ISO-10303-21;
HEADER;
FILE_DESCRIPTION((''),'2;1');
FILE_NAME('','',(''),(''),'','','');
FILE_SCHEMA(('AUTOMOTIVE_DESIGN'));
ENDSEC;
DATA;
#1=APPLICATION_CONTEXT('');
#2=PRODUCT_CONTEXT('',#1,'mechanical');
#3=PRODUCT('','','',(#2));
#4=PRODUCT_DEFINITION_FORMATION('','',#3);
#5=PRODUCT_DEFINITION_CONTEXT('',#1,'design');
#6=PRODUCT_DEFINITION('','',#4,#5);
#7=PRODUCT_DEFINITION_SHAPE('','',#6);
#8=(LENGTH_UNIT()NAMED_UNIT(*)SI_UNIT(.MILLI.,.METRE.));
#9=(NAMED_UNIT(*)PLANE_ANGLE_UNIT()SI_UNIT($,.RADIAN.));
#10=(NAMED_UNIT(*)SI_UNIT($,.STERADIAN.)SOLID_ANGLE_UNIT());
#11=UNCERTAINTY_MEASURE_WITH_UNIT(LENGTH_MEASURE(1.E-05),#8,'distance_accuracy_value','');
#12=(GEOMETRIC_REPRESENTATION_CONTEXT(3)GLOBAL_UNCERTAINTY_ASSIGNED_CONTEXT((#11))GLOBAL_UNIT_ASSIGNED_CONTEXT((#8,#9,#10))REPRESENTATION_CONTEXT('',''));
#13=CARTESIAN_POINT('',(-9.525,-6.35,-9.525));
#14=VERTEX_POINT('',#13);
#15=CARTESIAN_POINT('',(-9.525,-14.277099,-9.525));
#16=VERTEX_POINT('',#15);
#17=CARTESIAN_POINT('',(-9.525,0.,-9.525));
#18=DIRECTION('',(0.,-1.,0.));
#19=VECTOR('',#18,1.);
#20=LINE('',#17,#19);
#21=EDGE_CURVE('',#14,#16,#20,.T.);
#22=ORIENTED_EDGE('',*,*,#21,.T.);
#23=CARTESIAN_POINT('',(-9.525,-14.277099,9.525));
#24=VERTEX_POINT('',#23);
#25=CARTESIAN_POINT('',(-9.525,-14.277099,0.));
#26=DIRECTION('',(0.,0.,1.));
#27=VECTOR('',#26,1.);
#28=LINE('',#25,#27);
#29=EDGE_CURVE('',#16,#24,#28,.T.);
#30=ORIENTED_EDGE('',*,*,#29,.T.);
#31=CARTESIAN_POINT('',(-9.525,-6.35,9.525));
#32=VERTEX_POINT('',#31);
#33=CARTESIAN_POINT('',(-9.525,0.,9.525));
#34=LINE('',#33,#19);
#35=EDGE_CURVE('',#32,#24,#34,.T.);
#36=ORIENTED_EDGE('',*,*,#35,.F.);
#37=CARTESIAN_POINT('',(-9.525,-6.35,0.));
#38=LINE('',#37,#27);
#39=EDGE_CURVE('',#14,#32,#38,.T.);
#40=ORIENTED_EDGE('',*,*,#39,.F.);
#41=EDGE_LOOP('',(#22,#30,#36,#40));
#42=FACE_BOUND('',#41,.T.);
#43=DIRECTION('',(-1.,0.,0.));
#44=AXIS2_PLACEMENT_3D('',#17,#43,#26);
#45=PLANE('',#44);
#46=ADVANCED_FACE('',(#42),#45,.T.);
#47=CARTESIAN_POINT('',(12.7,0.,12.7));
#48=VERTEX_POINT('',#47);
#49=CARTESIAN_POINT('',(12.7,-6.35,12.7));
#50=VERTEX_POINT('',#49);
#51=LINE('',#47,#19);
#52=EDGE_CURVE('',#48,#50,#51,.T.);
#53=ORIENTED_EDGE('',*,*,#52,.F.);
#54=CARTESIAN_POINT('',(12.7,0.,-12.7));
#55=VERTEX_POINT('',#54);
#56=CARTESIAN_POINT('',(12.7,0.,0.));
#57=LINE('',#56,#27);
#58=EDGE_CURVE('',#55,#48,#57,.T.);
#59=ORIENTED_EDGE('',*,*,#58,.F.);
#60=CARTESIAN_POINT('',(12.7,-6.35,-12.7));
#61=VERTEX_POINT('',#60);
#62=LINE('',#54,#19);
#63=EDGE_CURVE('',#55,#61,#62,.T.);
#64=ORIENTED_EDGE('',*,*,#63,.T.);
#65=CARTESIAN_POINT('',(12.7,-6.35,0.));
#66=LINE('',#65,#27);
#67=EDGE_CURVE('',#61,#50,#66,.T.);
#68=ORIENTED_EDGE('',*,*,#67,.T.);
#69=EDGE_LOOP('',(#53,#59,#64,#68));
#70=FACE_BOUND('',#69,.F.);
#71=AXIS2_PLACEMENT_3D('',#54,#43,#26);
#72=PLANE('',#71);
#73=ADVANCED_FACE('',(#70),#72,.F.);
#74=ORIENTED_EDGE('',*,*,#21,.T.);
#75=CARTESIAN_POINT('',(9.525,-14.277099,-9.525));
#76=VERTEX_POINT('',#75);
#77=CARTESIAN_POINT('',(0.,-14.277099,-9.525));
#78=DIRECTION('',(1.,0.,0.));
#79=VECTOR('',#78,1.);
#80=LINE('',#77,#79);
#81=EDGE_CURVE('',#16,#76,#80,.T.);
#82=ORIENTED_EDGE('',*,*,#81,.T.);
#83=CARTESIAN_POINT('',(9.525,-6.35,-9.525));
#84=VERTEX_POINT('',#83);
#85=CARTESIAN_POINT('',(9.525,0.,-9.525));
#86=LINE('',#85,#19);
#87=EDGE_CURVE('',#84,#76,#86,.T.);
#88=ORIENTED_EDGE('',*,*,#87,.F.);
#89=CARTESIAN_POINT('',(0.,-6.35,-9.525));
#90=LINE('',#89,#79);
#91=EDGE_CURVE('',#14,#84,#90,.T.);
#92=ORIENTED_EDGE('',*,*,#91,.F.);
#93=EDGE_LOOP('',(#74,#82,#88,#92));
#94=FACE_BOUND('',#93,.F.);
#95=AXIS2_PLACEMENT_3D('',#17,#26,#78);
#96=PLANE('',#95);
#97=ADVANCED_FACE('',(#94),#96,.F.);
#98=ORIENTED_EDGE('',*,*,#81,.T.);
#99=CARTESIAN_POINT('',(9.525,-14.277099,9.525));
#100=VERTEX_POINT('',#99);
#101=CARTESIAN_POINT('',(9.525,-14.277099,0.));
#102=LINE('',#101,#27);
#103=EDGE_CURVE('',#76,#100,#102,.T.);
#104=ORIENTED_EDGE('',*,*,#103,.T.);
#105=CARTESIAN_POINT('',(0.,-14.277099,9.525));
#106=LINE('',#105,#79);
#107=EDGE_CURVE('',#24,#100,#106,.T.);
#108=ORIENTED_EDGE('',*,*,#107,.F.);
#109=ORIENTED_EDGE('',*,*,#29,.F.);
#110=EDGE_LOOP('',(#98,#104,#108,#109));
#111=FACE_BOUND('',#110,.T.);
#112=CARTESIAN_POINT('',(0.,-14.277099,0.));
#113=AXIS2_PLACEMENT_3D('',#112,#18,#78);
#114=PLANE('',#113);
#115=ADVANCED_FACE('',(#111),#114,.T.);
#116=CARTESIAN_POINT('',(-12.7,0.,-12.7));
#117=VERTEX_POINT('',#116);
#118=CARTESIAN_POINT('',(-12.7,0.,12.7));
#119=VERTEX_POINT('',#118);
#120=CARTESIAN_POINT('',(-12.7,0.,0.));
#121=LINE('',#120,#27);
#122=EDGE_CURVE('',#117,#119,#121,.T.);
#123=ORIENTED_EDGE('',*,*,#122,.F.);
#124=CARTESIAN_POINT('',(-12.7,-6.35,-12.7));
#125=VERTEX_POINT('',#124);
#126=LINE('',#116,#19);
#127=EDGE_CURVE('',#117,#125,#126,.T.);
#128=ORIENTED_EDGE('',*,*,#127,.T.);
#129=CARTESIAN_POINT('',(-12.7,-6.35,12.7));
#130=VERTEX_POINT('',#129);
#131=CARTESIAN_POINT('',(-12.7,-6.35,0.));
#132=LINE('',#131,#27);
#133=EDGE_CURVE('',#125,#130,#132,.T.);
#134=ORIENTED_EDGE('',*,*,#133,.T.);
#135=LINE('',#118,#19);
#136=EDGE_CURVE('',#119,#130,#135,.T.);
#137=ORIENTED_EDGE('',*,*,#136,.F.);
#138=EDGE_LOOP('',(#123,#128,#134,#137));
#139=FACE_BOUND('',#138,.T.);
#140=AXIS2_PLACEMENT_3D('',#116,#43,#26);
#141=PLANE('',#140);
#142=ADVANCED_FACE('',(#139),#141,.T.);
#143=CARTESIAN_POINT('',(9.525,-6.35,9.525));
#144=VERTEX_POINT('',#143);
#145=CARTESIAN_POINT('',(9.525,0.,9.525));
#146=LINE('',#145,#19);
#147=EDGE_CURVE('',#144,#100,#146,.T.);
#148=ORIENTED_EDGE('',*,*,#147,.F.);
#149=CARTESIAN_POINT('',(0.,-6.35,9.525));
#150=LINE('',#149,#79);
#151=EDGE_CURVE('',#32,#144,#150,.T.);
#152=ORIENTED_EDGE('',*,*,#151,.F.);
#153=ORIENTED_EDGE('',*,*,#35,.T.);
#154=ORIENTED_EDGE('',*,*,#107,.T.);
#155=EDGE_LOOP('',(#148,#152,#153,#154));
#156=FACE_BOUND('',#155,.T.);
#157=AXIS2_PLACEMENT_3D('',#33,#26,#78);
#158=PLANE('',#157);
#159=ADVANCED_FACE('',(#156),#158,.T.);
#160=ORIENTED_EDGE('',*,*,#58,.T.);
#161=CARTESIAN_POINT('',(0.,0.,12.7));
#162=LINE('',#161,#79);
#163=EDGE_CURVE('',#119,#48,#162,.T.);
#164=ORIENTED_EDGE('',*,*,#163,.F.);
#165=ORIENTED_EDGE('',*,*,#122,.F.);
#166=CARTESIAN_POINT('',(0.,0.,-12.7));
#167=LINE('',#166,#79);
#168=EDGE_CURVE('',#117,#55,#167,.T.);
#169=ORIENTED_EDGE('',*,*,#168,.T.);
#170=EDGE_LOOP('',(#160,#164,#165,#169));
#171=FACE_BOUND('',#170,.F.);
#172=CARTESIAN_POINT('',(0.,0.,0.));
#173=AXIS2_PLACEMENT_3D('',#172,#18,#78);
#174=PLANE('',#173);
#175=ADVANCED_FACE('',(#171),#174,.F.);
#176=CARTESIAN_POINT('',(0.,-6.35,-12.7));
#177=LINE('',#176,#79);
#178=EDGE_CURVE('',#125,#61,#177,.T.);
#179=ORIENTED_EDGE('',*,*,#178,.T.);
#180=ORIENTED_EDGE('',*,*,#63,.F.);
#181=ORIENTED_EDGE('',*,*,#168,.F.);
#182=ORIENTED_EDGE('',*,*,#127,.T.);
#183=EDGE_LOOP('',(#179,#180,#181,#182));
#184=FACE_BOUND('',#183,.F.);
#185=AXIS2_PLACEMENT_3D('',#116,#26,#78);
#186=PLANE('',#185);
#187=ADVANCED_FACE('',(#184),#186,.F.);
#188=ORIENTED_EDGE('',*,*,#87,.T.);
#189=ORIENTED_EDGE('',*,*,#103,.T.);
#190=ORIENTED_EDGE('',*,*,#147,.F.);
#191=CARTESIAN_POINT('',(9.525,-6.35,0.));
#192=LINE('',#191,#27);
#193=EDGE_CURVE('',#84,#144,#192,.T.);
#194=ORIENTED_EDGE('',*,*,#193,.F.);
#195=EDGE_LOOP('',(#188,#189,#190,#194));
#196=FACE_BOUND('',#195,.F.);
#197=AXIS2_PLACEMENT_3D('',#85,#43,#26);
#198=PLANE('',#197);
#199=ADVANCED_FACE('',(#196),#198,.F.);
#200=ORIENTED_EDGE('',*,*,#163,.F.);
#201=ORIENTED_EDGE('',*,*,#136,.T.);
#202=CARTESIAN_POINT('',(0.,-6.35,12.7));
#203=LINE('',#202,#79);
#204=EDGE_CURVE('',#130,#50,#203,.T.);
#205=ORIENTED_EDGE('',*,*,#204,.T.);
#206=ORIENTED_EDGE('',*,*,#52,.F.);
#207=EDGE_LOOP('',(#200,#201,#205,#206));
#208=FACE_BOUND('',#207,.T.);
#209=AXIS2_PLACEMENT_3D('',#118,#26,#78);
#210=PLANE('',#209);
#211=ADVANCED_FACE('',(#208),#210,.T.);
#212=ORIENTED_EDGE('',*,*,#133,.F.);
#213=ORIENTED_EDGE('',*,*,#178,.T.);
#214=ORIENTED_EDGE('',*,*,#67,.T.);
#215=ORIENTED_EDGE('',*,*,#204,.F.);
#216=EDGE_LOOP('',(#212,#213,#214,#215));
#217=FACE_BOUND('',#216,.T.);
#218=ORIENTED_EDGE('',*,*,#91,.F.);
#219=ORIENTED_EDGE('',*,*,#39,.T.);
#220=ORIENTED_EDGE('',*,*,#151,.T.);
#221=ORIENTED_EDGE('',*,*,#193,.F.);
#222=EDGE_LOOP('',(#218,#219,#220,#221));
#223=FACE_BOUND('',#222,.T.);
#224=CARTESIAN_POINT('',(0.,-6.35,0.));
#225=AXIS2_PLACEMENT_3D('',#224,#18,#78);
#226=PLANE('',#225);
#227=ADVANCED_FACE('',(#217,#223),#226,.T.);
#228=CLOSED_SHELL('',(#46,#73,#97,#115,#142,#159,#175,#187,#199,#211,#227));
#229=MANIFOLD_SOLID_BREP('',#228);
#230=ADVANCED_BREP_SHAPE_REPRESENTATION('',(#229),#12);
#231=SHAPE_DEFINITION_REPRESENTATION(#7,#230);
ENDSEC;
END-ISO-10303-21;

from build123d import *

# Parameters (mm, degrees)
F0_W     = 25.4
F0_H     = 25.4
F0_W_2   = 19.05
F0_H_2   = 19.05
F2_DEPTH = 6.35
F1_W     = 19.05
F1_H     = 19.05
F3_DEPTH = 14.277099


with BuildPart() as f2:
    # F0 (on Front) → F2 (new body)
    with BuildSketch(Plane.XZ):
        Rectangle(F0_W, F0_H)
        Rectangle(F0_W_2, F0_H_2, mode=Mode.SUBTRACT)
    extrude(amount=F2_DEPTH)

    # F1 (on face) → F3 (join)
    with BuildSketch(Plane.XZ):
        Rectangle(F1_W, F1_H)
    extrude(amount=F3_DEPTH)


solid = f2.part
